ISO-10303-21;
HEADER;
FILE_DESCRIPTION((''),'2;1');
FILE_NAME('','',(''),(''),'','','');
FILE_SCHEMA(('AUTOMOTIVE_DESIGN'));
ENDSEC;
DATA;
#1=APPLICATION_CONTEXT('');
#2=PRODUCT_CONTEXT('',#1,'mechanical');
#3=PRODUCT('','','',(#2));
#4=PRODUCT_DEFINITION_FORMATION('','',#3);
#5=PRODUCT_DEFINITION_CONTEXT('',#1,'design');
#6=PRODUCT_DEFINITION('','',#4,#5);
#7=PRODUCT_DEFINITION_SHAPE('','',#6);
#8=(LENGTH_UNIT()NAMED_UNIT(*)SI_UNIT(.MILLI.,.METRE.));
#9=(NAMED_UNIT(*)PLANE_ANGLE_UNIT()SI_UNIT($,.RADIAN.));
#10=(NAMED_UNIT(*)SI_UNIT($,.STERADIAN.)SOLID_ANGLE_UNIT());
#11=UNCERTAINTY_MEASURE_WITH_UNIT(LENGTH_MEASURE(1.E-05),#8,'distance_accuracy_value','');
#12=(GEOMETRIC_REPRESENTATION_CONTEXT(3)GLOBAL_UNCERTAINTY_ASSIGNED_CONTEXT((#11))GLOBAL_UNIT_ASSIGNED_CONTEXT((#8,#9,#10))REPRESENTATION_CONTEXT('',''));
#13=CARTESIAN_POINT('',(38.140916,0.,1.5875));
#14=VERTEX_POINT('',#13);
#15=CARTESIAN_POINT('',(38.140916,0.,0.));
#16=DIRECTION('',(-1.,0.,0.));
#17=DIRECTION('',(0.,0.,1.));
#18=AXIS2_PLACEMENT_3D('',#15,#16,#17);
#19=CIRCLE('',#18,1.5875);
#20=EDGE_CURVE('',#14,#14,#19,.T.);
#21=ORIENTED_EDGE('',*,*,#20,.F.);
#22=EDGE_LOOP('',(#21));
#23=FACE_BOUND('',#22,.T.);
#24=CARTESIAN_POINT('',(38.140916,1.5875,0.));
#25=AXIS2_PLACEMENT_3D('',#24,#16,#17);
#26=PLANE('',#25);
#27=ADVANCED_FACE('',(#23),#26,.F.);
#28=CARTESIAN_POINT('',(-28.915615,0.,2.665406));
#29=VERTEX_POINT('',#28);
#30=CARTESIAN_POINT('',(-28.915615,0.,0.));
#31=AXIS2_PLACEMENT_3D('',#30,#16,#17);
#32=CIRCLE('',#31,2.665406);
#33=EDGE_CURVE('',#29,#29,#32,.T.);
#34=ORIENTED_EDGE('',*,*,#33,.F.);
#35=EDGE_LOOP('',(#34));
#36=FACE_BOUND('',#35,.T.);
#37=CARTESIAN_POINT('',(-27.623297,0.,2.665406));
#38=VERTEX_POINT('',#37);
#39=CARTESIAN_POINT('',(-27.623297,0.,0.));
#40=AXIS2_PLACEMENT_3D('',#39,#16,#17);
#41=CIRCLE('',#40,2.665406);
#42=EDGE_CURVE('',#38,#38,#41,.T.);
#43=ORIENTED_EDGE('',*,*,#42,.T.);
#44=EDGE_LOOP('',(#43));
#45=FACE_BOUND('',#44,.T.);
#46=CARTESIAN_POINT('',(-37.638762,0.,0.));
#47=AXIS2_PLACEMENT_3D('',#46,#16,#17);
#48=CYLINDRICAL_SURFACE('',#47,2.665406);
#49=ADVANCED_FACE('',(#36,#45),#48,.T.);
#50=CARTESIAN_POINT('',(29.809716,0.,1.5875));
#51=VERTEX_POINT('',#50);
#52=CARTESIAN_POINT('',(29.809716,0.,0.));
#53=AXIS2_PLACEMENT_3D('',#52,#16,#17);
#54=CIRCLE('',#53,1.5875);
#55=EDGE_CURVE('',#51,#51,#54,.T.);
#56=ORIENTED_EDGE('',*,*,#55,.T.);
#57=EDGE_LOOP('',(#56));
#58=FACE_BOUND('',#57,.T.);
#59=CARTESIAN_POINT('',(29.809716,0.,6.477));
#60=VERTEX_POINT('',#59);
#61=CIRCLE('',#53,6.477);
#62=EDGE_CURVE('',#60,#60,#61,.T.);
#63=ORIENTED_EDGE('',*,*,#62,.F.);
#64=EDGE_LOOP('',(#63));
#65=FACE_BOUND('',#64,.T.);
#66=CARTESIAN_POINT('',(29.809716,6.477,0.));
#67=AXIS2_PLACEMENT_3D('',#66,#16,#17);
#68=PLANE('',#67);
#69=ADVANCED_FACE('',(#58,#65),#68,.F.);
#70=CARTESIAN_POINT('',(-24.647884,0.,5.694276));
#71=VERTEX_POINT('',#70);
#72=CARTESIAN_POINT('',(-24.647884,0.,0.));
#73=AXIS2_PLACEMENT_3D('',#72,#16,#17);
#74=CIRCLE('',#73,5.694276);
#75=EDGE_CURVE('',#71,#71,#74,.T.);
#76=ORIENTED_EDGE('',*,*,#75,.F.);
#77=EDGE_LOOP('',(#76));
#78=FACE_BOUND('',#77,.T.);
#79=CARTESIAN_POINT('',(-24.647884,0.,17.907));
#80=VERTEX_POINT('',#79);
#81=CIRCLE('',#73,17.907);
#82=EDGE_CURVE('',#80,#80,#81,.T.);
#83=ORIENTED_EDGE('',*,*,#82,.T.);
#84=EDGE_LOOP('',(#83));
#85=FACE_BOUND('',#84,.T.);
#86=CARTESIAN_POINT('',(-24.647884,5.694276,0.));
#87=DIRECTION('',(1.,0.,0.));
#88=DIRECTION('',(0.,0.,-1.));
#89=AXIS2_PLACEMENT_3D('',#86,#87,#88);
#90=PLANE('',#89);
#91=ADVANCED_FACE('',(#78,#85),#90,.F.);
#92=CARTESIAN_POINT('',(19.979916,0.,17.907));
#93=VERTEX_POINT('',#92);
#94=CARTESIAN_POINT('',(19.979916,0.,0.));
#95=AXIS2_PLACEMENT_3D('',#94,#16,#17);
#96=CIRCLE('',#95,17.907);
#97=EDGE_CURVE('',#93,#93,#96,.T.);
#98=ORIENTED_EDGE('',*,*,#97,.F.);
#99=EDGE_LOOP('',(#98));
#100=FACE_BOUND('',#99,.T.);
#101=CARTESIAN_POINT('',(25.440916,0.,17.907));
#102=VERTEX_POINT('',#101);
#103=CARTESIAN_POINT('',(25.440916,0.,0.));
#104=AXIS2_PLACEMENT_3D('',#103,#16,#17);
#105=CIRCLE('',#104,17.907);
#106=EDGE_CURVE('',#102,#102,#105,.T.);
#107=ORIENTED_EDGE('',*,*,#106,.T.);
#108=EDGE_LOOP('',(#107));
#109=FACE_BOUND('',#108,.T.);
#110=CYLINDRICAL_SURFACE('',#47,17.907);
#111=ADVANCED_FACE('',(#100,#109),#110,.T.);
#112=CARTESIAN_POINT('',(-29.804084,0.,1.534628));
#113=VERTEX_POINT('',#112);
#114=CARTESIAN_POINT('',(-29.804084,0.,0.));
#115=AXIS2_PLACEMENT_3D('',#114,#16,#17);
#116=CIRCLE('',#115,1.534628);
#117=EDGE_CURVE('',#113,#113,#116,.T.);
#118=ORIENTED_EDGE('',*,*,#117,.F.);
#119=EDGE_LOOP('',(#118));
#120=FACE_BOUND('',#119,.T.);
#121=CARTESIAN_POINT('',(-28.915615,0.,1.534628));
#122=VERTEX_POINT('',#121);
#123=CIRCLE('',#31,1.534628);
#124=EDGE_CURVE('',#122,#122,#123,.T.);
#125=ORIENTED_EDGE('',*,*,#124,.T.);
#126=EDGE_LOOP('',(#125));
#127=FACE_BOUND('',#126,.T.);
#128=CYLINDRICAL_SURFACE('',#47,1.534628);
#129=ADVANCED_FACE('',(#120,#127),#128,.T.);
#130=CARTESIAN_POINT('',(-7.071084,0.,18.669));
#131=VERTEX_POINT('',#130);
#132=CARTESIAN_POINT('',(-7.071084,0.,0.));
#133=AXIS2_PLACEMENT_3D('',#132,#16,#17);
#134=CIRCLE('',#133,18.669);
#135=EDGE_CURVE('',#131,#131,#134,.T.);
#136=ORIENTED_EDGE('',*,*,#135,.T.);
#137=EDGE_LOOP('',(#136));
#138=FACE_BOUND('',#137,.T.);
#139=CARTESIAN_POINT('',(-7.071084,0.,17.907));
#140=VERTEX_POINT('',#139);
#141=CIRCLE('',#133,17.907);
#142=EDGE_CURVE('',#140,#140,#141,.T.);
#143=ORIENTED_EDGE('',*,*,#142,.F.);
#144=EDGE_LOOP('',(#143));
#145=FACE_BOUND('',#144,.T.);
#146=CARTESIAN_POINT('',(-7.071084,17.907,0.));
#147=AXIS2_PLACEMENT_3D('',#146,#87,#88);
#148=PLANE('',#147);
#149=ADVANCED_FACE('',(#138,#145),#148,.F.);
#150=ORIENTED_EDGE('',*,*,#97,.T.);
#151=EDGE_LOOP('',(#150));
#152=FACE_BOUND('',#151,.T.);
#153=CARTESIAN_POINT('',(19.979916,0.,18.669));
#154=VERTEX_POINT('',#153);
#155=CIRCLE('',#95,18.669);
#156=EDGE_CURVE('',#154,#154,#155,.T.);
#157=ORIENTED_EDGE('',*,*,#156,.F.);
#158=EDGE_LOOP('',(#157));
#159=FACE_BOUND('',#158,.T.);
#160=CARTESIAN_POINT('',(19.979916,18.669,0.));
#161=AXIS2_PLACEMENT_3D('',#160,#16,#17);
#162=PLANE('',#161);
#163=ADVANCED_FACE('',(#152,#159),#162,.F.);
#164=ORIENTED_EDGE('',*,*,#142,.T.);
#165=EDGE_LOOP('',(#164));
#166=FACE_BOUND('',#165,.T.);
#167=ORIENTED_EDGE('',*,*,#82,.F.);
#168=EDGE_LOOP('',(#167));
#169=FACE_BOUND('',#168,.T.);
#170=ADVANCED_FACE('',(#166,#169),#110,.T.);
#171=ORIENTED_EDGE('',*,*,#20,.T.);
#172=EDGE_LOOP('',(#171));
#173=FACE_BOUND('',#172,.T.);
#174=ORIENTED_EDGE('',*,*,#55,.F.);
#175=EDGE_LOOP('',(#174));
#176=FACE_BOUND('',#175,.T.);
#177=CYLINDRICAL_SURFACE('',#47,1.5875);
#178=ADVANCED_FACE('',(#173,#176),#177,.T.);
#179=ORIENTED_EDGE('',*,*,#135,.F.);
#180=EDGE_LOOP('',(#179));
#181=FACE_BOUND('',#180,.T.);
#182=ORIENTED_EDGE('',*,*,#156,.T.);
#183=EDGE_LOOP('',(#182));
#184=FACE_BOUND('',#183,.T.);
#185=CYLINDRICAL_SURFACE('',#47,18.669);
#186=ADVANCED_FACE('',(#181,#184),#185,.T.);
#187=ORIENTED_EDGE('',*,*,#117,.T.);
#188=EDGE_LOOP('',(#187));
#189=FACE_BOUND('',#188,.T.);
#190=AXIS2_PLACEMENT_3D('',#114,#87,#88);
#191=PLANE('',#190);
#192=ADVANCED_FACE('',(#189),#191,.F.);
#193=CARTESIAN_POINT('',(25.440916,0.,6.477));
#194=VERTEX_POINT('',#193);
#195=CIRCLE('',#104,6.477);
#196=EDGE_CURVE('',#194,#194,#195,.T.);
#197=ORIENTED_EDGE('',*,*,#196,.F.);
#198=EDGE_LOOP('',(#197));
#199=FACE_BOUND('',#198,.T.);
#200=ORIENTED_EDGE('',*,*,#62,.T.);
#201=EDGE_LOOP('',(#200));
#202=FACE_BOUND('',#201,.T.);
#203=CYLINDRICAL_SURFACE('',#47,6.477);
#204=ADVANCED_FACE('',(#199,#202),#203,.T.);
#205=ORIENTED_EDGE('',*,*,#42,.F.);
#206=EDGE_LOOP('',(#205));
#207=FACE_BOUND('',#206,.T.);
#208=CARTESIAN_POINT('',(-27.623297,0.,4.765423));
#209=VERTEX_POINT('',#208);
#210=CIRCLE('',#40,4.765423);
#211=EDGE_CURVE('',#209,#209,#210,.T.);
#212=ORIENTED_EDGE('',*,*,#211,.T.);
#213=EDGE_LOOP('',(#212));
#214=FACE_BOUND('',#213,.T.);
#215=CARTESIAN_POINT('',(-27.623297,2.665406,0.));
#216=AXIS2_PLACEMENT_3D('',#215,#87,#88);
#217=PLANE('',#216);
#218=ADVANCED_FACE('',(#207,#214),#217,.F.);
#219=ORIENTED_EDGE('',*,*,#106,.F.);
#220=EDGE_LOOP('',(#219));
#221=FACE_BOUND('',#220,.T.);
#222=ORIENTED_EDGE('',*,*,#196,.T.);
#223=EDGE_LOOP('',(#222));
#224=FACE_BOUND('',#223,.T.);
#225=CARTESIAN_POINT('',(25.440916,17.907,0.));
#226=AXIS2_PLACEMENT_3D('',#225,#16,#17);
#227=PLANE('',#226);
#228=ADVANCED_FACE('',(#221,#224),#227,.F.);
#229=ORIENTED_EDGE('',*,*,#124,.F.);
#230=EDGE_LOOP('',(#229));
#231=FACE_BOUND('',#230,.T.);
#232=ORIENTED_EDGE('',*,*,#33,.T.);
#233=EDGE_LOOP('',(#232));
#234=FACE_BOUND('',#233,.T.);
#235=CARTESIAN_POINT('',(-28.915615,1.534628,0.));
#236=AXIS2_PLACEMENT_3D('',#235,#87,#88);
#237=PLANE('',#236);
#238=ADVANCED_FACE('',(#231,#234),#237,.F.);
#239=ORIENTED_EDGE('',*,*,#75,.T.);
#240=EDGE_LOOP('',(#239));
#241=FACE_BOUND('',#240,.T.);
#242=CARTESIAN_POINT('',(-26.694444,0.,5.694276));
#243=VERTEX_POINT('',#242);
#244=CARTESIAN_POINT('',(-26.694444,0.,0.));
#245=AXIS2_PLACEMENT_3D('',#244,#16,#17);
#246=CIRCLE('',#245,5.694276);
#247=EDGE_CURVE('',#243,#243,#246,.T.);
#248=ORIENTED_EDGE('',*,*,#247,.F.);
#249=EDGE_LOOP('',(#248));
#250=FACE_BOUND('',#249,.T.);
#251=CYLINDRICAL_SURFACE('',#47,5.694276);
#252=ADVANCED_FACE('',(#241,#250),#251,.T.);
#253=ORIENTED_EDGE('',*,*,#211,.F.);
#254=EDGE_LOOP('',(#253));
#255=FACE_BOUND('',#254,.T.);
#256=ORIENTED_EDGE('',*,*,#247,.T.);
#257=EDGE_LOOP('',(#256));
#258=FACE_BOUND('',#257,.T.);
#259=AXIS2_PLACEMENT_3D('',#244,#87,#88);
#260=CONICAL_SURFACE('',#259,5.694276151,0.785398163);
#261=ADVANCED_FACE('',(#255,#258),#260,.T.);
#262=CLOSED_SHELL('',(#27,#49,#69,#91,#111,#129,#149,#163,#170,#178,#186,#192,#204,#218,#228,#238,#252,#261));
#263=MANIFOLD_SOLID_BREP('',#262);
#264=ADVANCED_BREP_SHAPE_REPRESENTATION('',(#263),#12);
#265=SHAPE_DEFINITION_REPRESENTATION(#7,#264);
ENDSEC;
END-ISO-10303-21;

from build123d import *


with BuildPart() as part:
    # Sketch1 → Revolve1 (revolve)
    with BuildSketch(Plane.XY):
        Polygon((-29.804083682, 0), (-29.804083682, 1.534627615), (-28.915615063, 1.534627615), (-28.915615063, 2.665405858), (-27.623297071, 2.665405858), (-27.623297071, 4.765422594), (-26.694443515, 5.694276151), (-24.647883682, 5.694276151), (-24.647883682, 17.907), (-7.071083682, 17.907), (-7.071083682, 18.669), (19.979916318, 18.669), (19.979916318, 17.907), (25.440916318, 17.907), (25.440916318, 6.477), (29.809716318, 6.477), (29.809716318, 1.5875), (38.140916318, 1.5875), (38.140916318, 0), align=None)
    revolve(axis=Axis((-37.638761506, 0, 0), (1, 0, 0)))


solid = part.part
